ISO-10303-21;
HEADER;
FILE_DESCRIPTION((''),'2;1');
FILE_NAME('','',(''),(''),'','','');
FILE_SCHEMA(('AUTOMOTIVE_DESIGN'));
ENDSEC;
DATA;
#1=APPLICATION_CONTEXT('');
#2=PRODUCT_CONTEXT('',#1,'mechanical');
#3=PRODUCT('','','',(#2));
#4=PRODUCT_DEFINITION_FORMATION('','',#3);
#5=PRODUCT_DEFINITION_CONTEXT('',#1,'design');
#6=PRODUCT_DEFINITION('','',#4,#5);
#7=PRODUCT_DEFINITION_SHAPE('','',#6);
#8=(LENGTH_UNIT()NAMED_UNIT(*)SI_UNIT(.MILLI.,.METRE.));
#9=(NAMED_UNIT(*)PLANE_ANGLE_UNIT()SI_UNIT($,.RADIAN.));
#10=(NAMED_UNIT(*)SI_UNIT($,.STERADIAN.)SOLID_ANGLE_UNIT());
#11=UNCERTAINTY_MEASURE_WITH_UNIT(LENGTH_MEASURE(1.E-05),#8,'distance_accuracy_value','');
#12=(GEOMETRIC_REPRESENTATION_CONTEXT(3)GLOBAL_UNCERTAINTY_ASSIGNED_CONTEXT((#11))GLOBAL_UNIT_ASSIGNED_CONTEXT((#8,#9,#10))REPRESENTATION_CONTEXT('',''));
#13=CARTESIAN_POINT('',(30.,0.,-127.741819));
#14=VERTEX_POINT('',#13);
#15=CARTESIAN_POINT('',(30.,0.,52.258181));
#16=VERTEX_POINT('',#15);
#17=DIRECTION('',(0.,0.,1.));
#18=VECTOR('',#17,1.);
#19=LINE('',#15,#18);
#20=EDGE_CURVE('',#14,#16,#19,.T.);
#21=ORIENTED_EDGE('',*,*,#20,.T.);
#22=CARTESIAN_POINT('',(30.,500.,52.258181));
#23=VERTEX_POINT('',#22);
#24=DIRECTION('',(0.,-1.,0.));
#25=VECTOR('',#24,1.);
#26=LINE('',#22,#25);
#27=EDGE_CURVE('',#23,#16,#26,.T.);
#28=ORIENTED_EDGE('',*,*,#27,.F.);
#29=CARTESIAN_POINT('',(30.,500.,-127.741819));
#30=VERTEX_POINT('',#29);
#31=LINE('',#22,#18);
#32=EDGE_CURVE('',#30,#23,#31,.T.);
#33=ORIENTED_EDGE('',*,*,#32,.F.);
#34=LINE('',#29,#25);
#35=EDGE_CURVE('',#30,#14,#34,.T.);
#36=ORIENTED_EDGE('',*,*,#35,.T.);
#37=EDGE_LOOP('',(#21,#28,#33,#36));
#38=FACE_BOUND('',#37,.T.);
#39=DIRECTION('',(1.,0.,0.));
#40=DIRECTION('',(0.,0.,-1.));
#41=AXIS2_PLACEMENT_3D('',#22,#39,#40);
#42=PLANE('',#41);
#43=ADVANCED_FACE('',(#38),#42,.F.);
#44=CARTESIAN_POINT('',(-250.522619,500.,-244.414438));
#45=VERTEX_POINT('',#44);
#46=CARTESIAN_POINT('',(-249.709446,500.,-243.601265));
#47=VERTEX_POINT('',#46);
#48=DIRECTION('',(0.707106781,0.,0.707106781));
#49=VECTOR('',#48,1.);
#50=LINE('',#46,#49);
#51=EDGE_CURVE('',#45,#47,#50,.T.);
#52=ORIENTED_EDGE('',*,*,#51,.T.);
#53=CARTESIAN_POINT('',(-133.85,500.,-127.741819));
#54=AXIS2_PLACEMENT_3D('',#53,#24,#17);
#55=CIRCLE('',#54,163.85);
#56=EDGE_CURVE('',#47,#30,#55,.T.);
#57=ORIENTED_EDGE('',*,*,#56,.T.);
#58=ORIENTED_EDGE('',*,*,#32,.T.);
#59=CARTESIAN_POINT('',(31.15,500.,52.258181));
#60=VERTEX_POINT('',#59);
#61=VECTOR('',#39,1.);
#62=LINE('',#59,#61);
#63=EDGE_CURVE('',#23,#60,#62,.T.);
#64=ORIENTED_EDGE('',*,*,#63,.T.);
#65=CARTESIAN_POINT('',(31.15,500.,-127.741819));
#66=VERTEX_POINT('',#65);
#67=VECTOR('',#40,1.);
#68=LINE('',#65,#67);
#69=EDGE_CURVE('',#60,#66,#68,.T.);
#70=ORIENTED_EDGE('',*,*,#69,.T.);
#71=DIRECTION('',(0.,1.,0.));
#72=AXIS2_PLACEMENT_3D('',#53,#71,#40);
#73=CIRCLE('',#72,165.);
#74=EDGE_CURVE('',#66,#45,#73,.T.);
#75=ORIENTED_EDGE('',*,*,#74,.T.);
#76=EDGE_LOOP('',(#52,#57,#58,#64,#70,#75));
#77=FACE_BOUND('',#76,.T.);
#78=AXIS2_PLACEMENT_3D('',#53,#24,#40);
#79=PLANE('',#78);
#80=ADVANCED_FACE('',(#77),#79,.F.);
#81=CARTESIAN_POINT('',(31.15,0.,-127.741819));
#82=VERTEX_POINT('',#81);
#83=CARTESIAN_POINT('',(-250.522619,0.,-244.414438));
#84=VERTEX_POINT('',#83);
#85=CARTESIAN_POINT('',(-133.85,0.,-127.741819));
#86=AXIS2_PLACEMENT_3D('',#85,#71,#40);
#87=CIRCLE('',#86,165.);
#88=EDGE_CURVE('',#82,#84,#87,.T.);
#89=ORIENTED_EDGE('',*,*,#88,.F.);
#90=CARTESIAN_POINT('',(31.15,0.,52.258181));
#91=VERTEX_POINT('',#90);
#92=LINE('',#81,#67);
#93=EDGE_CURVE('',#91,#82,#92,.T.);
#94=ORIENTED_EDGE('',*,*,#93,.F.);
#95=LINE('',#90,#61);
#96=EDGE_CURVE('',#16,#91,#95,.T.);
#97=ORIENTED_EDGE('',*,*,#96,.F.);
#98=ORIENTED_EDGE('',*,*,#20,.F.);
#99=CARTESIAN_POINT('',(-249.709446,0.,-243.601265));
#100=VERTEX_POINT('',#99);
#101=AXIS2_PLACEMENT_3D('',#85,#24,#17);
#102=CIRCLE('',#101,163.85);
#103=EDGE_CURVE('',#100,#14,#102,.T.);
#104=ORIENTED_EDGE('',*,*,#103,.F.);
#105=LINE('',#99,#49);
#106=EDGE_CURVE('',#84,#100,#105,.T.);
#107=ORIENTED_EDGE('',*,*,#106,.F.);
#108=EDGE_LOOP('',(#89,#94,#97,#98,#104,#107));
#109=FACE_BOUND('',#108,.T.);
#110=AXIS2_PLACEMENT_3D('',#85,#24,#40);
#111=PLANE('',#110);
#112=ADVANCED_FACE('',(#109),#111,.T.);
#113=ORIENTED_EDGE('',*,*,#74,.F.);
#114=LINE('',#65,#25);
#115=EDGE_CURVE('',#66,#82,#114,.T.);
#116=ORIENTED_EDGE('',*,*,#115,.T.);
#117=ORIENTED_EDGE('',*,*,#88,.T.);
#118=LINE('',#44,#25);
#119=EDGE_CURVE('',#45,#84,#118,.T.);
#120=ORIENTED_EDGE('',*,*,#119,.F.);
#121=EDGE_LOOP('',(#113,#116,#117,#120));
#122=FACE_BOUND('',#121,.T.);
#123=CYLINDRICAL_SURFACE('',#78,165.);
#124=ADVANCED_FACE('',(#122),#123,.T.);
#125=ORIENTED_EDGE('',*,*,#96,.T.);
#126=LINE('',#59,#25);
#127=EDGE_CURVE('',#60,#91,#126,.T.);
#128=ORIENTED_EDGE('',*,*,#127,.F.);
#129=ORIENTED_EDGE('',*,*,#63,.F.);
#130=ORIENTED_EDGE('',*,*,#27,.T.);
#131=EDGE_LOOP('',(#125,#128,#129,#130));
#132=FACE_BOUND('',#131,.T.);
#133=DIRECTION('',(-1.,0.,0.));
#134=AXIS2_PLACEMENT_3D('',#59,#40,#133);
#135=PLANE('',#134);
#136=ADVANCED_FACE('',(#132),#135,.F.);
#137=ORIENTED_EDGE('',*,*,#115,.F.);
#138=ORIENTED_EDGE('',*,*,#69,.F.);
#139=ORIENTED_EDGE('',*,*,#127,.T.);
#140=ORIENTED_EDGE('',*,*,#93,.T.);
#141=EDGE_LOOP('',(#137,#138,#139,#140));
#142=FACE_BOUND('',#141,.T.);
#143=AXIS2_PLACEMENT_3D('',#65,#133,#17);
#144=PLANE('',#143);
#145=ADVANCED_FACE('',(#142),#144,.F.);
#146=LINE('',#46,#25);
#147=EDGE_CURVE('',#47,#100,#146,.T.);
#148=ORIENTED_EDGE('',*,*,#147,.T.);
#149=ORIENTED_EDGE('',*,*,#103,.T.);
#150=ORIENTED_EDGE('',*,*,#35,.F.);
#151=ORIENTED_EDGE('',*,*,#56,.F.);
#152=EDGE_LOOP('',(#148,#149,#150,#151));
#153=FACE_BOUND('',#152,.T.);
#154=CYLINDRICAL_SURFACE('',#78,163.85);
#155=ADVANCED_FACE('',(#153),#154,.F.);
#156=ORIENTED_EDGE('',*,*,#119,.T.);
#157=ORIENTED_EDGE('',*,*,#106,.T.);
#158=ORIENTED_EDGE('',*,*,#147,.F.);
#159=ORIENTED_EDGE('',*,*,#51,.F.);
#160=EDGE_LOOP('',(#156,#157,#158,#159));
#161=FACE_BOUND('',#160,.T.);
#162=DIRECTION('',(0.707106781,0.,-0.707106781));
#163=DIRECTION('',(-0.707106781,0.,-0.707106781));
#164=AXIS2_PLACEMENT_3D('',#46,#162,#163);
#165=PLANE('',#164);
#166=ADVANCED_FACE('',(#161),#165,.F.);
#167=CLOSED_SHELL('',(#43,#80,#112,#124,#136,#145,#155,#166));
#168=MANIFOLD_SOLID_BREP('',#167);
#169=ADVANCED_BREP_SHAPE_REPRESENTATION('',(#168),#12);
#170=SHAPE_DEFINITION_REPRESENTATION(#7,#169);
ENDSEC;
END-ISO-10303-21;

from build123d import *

# Parameters (mm, degrees)
SALIENTE_EXTRUIR1_DEPTH = 500


with BuildPart() as part:
    # Croquis3 → Saliente-Extruir1 (new body)
    with BuildSketch(Plane(origin=(0, 0, 0), x_dir=(1, 0, 0), z_dir=(0, 1, 0))):
        with BuildLine():
            Line((31.15, 127.741818938), (31.15, -52.258181062))
            Line((31.15, -52.258181062), (30, -52.258181062))
            Line((30, -52.258181062), (30, 127.741818938))
            ThreePointArc((30, 127.741818938), (-71.147319607, 279.11948034), (-249.709446097, 243.601265035))
            Line((-249.709446097, 243.601265035), (-250.522618896, 244.414437834))
            ThreePointArc((-250.522618896, 244.414437834), (-70.70723366, 280.181941802), (31.15, 127.741818938))
        make_face()
    extrude(amount=SALIENTE_EXTRUIR1_DEPTH)


solid = part.part
